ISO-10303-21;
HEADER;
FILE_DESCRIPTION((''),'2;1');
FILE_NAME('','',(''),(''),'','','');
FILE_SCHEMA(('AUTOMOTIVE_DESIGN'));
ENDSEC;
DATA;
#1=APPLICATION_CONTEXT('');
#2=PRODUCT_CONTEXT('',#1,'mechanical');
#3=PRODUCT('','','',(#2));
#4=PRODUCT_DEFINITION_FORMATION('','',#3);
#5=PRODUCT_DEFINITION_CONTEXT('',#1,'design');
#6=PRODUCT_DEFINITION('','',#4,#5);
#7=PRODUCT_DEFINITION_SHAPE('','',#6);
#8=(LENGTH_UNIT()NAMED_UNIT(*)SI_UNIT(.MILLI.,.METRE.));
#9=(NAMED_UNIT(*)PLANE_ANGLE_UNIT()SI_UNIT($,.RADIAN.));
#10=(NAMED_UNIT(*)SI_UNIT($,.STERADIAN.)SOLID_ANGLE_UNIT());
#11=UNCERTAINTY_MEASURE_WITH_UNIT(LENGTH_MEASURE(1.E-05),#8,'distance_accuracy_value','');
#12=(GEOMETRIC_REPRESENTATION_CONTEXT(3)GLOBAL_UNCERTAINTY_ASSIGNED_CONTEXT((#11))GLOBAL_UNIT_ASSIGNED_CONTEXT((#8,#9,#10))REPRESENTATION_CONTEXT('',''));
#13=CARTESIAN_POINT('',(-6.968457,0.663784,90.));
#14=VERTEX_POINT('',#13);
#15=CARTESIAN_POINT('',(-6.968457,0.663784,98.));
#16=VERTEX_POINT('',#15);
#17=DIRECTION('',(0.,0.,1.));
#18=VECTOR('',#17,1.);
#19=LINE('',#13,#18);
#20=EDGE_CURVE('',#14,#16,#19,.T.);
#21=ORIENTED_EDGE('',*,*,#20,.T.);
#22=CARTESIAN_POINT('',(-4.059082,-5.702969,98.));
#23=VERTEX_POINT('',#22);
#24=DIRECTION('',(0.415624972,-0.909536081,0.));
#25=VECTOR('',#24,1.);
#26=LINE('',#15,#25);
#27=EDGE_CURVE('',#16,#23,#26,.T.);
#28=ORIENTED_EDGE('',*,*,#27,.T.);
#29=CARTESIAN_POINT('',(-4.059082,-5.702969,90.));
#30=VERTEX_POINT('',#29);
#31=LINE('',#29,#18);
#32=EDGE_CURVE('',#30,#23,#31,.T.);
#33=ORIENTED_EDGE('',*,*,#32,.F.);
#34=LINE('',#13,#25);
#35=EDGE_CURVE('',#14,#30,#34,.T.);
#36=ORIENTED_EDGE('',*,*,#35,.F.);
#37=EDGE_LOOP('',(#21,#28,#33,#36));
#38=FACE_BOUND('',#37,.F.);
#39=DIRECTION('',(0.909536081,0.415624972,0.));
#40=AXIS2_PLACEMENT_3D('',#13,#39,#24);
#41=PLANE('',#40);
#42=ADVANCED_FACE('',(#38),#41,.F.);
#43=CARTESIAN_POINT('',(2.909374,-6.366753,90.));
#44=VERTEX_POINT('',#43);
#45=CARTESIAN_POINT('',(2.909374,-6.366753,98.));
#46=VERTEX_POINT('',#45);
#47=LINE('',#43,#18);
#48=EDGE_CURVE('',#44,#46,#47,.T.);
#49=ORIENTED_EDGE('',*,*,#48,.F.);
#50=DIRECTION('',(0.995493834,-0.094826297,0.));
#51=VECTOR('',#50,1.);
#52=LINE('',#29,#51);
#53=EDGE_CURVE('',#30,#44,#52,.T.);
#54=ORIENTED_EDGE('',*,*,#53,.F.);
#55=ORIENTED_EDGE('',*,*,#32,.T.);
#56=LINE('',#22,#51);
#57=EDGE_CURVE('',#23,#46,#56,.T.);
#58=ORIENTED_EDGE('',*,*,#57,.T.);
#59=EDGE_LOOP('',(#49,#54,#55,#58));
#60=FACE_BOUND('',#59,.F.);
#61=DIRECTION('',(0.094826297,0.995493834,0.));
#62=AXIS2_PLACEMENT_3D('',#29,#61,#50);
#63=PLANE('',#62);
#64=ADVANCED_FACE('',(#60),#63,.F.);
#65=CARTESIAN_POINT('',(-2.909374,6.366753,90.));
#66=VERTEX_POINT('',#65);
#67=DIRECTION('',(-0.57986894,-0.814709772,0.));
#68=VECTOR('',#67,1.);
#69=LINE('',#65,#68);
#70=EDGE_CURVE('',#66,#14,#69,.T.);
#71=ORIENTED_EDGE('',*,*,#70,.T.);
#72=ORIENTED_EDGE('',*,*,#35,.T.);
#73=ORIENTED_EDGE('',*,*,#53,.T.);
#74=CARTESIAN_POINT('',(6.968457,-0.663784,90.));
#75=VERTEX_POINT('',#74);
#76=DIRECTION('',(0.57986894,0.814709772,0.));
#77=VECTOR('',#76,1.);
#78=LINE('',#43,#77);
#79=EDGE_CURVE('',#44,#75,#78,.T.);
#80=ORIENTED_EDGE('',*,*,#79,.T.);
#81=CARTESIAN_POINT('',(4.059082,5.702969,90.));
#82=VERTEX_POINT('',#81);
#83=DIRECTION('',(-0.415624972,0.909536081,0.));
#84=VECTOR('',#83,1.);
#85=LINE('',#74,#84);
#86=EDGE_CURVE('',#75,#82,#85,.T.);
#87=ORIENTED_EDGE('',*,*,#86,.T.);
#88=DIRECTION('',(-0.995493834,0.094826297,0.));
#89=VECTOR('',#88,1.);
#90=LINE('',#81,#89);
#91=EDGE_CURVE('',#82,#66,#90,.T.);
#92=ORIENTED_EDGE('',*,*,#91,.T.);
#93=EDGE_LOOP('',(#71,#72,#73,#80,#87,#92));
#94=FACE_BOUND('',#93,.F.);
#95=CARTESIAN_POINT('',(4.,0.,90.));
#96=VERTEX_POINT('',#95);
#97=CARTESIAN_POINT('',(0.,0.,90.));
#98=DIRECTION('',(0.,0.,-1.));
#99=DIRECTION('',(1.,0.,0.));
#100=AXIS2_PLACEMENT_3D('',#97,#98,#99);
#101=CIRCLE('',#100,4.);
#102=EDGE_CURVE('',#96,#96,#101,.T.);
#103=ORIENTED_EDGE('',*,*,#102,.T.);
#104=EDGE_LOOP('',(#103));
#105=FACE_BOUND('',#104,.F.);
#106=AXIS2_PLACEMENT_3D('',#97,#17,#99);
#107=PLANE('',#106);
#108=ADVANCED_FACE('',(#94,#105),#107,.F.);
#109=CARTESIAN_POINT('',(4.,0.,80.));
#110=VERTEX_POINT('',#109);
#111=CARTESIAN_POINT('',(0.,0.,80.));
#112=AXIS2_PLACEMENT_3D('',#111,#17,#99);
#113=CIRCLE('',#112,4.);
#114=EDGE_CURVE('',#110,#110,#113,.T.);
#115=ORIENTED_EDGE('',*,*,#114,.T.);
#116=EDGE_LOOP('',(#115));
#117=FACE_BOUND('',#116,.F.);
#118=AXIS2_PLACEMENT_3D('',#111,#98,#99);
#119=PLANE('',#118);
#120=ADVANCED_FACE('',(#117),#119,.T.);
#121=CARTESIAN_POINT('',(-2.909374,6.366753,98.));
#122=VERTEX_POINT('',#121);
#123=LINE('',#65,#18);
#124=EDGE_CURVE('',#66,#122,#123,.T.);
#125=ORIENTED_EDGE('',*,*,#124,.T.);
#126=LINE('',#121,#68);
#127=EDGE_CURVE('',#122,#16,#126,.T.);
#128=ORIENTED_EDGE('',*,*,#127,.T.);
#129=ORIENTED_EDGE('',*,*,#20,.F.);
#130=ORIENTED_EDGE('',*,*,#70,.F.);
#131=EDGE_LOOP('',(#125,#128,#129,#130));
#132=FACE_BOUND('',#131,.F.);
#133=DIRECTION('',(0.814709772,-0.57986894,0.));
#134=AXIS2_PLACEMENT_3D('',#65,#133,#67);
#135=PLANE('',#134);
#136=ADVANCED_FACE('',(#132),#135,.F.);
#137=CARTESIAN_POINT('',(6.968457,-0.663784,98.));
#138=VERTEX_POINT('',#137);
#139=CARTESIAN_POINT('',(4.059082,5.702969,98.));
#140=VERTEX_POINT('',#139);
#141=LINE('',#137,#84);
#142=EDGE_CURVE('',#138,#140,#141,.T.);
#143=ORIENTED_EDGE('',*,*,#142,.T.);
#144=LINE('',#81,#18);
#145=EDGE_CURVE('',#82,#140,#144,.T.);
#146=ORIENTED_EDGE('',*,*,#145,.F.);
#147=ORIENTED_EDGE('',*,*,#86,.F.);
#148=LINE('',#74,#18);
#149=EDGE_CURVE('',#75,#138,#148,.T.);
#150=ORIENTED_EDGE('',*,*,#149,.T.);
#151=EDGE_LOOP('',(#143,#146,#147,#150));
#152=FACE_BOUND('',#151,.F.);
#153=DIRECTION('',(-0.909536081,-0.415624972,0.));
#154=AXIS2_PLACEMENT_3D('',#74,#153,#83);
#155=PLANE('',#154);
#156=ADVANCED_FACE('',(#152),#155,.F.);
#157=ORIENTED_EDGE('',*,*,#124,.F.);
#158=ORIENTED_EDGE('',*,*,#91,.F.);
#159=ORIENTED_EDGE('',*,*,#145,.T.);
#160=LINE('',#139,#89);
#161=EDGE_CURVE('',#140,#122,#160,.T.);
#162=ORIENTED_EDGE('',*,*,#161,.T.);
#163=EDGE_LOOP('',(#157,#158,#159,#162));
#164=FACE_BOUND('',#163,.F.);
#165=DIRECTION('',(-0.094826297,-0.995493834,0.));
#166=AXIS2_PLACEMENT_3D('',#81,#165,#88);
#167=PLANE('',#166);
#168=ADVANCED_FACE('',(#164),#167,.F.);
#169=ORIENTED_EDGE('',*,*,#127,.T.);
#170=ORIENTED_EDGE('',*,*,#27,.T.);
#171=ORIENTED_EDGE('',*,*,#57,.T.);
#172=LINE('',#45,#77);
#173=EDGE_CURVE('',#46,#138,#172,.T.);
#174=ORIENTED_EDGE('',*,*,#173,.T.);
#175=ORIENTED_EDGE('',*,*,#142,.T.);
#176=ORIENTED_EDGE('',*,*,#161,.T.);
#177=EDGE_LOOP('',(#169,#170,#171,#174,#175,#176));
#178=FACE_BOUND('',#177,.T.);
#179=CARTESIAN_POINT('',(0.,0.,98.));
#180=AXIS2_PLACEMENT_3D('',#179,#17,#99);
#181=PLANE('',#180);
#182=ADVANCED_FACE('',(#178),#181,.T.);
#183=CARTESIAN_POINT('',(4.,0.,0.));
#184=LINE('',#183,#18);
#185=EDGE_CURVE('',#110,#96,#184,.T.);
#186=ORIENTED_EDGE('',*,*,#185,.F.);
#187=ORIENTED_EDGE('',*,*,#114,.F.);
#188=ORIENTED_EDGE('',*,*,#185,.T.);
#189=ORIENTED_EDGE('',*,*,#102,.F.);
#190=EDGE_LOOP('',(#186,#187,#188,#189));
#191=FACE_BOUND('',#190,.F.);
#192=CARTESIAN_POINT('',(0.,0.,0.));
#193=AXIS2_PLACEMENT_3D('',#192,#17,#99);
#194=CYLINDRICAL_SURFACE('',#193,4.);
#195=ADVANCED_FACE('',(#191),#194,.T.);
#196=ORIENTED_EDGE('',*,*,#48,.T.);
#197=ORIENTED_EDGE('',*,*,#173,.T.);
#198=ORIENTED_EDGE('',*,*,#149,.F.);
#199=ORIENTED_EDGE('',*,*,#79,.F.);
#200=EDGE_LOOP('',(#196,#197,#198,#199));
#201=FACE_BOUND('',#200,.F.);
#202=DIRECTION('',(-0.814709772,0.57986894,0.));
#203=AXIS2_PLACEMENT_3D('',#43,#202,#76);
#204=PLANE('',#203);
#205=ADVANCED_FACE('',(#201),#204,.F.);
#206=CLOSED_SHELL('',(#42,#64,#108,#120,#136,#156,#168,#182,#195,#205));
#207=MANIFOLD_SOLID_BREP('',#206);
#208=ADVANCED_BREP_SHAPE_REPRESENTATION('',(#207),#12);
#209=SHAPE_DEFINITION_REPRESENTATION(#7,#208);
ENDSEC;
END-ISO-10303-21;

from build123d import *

# Parameters (mm, degrees)
F3_DEPTH = 8
F4_W     = 5
F4_H     = 80


with BuildPart() as f1:
    # F0 (on Front) → F1 (revolve)
    with BuildSketch(Plane.XZ):
        Polygon((4, 0), (4, 90), (0, 90), (0, 65), (0, 0), align=None)
    revolve(axis=Axis((0, 0, 32.5), (0, 0, -1)))

    # F2 (on face) → F3 (join)
    with BuildSketch(Plane.XY.offset(90)):
        Polygon((6.968457, -0.663784), (4.059082, 5.702969), (-2.909374, 6.366753), (-6.968457, 0.663784), (-4.059082, -5.702969), (2.909374, -6.366753), align=None)
    extrude(amount=F3_DEPTH)

    # F4 (on Front) → F5 (revolve, cut)
    with BuildSketch(Plane.XZ):
        with Locations((2.5, 40)):
            Rectangle(F4_W, F4_H)
    revolve(axis=Axis((0, 0, 40), (0, 0, -1)), mode=Mode.SUBTRACT)


solid = f1.part
